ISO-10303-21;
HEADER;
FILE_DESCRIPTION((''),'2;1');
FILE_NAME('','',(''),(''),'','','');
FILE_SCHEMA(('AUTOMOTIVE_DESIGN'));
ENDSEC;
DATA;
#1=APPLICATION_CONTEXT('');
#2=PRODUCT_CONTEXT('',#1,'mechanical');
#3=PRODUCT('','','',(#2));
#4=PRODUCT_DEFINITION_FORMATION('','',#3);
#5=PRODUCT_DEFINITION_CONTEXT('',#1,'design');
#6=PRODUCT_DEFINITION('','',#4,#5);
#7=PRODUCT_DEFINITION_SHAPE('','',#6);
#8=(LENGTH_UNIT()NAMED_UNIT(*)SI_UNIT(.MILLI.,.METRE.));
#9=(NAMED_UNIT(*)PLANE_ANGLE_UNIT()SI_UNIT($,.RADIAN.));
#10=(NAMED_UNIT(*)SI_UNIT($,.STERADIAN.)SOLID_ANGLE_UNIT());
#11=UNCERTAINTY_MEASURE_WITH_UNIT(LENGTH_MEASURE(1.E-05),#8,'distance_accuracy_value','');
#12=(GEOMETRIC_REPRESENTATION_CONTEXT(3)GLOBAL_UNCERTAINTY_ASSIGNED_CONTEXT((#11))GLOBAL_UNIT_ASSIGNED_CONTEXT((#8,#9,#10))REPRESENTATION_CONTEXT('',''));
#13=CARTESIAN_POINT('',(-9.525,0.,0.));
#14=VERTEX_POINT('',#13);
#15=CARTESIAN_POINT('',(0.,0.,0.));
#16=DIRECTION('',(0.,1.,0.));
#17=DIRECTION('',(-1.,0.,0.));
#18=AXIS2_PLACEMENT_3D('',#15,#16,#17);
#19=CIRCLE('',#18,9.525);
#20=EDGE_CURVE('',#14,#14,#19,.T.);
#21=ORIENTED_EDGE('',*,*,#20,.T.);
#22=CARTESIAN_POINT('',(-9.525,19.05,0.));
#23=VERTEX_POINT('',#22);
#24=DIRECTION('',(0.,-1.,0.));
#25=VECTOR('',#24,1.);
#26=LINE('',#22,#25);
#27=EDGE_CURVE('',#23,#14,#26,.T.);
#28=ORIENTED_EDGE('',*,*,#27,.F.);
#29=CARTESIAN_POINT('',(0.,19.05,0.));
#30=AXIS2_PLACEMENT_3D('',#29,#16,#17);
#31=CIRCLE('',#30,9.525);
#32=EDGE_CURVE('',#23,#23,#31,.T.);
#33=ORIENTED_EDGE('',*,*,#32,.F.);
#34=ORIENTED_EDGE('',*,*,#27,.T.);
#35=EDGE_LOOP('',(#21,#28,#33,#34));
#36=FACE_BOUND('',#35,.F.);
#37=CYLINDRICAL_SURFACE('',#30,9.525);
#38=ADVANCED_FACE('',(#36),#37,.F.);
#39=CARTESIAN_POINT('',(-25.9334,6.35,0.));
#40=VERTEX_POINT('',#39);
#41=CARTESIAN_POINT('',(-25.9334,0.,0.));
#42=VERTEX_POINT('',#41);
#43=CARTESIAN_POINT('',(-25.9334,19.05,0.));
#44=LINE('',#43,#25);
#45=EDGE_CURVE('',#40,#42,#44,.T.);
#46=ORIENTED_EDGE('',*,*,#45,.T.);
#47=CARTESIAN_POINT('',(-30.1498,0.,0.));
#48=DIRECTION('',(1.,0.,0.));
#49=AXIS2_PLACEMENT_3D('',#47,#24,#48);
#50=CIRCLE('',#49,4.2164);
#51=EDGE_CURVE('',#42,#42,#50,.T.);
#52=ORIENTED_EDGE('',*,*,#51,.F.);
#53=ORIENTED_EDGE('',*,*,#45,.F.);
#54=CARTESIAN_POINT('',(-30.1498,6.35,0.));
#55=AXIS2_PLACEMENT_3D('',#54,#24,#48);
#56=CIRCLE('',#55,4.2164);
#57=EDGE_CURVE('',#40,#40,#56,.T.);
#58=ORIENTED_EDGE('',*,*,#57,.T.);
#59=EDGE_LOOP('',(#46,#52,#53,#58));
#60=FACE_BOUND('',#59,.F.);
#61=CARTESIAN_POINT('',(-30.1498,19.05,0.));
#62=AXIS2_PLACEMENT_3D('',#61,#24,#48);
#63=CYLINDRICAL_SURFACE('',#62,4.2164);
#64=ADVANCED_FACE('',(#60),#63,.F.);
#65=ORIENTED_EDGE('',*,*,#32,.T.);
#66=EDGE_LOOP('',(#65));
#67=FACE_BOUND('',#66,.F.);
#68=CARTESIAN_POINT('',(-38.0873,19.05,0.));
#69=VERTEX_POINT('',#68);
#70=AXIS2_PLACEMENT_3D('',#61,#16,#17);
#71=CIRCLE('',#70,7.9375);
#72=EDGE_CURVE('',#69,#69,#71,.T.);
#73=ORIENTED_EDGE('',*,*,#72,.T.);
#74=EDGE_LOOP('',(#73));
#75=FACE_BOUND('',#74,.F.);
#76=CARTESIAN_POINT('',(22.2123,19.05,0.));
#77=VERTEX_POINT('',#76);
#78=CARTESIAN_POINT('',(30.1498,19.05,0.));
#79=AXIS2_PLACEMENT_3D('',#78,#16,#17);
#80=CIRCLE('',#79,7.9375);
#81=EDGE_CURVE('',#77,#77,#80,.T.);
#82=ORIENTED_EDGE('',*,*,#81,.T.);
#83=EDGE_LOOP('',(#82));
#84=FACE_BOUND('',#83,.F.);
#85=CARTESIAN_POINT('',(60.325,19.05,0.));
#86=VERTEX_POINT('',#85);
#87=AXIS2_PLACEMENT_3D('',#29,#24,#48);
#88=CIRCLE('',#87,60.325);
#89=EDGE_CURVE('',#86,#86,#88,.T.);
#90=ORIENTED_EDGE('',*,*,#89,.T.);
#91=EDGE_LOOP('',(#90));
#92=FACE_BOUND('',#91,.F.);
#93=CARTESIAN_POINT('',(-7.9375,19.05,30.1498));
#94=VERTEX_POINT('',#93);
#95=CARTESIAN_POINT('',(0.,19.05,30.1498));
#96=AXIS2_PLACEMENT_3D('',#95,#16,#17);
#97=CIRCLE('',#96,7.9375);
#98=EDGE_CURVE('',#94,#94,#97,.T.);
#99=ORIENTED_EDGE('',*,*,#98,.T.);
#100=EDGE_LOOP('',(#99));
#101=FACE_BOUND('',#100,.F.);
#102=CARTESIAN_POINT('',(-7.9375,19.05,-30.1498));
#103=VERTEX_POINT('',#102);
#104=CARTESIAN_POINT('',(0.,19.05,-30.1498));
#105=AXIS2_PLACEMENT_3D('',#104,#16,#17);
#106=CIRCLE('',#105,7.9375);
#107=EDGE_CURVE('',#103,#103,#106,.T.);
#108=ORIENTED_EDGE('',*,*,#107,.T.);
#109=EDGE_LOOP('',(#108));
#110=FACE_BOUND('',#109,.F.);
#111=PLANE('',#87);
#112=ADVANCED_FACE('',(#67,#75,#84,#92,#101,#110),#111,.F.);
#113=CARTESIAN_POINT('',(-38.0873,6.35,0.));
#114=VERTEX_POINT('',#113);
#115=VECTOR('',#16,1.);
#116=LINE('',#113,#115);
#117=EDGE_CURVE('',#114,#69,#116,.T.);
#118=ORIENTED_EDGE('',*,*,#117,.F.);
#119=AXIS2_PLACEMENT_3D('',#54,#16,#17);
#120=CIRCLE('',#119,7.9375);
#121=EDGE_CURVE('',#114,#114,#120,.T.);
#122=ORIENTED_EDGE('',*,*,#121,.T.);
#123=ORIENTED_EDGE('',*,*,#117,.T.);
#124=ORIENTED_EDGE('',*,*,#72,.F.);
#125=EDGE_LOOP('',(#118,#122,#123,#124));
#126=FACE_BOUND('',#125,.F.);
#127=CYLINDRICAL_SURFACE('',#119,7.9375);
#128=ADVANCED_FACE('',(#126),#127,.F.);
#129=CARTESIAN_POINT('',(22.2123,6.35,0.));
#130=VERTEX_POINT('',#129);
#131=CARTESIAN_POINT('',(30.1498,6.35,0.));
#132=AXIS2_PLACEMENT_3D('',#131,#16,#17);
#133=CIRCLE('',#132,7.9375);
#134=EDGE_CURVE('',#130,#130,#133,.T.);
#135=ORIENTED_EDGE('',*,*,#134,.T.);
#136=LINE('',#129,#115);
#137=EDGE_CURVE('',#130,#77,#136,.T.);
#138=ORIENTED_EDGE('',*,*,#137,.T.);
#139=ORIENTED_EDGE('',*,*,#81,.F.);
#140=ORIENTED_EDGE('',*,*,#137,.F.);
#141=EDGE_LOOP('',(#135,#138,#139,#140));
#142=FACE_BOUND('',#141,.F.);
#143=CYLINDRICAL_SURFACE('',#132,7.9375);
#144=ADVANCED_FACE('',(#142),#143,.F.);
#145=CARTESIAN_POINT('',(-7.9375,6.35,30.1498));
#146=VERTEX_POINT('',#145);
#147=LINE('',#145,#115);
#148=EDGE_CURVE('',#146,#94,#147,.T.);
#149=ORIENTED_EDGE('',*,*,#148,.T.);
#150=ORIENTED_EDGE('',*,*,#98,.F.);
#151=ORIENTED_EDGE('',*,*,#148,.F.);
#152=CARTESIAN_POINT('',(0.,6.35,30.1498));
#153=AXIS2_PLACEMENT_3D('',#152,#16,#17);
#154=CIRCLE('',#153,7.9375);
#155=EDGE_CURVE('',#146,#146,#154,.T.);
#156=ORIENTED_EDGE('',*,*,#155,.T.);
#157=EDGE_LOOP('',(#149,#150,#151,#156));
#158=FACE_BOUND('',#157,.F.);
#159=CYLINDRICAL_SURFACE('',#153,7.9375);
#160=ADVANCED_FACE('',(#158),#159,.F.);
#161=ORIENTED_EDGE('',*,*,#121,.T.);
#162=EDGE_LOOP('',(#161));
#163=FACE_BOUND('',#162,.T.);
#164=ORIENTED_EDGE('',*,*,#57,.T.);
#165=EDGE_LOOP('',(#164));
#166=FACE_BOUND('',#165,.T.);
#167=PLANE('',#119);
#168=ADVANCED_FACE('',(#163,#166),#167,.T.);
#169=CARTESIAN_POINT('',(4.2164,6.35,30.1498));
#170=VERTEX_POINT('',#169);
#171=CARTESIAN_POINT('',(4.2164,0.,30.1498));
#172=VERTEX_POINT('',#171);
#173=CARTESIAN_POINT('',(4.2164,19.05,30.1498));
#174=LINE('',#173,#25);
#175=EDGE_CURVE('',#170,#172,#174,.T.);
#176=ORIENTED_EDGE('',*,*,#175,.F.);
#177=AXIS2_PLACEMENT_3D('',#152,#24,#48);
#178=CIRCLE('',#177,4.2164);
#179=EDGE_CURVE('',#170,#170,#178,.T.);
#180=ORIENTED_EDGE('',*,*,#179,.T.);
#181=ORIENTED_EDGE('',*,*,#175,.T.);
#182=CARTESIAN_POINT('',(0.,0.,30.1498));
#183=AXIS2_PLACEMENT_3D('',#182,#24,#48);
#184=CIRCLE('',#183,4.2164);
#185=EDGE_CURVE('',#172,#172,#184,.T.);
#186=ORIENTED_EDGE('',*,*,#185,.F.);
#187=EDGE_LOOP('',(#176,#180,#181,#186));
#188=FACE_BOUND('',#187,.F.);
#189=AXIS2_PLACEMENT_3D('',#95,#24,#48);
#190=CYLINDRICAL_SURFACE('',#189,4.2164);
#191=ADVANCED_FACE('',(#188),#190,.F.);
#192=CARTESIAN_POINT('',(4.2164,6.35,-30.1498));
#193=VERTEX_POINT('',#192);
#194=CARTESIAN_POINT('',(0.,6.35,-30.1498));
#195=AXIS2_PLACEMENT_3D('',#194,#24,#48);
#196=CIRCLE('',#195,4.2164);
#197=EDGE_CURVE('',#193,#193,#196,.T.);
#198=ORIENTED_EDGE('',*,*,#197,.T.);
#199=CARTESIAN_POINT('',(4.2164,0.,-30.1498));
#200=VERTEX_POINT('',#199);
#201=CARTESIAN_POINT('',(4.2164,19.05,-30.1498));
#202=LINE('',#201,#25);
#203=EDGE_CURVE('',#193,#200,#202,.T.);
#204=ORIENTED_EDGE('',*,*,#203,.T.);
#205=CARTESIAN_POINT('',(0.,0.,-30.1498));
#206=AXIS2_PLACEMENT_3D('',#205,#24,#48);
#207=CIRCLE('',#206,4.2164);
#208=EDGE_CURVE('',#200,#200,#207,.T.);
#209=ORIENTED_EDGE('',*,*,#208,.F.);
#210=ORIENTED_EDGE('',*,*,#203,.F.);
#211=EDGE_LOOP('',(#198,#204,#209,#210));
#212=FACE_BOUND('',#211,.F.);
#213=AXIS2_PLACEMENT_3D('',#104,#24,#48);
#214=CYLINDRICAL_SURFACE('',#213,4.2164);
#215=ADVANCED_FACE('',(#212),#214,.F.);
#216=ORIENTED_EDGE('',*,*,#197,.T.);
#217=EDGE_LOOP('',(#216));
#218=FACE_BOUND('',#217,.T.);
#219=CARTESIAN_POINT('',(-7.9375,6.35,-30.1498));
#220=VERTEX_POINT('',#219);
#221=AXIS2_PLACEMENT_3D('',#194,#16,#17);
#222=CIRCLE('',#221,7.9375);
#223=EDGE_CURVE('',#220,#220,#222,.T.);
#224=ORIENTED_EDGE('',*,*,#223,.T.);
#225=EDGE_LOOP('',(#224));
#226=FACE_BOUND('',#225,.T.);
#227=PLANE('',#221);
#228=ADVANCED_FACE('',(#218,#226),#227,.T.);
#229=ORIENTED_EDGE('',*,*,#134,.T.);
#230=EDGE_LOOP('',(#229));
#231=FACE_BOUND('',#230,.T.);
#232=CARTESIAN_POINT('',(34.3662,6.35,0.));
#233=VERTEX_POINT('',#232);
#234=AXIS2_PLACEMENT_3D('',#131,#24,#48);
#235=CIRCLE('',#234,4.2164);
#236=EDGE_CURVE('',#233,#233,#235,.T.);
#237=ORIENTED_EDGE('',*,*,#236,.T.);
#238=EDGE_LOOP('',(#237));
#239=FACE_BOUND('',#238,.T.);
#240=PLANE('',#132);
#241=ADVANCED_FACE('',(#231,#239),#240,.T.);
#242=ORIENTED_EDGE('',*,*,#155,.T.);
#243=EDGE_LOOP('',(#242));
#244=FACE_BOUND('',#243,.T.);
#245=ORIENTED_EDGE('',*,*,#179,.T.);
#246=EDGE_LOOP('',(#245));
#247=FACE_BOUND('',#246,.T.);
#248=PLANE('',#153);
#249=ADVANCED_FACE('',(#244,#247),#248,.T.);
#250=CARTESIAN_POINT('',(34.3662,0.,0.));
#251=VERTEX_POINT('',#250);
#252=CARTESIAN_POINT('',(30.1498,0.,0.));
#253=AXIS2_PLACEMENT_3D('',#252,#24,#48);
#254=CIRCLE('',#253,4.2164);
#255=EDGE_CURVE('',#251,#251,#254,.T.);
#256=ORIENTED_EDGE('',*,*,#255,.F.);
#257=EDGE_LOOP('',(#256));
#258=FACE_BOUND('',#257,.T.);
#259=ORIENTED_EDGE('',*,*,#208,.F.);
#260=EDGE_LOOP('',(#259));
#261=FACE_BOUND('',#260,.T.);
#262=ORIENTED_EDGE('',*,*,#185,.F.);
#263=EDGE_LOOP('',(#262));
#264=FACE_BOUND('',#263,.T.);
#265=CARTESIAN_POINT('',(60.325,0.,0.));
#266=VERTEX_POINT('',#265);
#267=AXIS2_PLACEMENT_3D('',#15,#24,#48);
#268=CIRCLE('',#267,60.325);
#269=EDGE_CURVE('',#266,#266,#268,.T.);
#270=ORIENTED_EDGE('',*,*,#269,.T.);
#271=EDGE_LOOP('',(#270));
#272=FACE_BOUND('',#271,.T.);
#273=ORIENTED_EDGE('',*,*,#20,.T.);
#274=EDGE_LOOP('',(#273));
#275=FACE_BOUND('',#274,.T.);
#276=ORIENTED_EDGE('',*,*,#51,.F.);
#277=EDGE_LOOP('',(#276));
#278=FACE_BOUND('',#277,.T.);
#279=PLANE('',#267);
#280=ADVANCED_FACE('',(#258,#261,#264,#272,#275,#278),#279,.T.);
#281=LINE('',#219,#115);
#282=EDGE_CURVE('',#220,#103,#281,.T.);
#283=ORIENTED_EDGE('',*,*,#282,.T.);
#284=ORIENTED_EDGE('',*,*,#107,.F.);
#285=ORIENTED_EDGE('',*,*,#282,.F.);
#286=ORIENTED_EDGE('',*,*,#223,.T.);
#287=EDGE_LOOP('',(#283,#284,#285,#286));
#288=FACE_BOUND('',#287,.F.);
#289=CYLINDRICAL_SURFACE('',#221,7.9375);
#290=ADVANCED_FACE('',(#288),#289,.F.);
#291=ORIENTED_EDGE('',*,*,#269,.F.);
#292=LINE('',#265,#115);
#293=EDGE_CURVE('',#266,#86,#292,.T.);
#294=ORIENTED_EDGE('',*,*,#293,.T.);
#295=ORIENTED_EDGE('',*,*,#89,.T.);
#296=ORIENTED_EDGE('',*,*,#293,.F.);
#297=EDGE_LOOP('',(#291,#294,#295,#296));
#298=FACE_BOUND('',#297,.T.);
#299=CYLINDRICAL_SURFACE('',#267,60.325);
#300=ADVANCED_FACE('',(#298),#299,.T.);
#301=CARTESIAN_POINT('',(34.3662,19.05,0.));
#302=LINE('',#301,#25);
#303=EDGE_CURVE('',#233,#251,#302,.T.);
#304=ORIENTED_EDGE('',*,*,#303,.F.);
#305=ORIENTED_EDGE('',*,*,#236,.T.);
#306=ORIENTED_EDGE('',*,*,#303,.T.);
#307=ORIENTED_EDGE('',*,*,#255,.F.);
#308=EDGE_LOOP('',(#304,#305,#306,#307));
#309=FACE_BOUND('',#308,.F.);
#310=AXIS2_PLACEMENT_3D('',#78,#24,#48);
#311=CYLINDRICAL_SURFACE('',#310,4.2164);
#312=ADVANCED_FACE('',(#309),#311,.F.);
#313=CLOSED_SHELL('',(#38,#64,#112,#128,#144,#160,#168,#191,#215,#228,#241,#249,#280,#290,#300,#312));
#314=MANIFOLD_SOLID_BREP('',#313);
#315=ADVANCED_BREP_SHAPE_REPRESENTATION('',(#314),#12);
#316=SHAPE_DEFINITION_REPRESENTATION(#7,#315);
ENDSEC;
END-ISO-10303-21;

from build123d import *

# Parameters (mm, degrees)
F0_R           = 60.325
F1_DEPTH       = 19.05
F3_D           = 8.4328
F3_CBORE_D     = 15.875
F3_CBORE_DEPTH = 12.7
F4_R           = 9.525
F5_DEPTH       = 25.4


with BuildPart() as f1:
    # F0 (on Front) → F1 (new body)
    with BuildSketch(Plane.XZ):
        Circle(F0_R)
    extrude(amount=-F1_DEPTH)

    # F3 (through all)
    with Locations(Plane(origin=(0, 19.05, 0), x_dir=(-1, 0, 0), z_dir=(0, 1, 0))):
        with Locations((0, 30.1498), (30.1498, 0), (0, -30.1498), (-30.1498, 0)):
            CounterBoreHole(F3_D / 2, F3_CBORE_D / 2, F3_CBORE_DEPTH)

    # F4 (on face) → F5 (cut)
    with BuildSketch(Plane(origin=(0, 19.05, 0), x_dir=(-1, 0, 0), z_dir=(0, 1, 0))):
        Circle(F4_R)
    extrude(amount=-F5_DEPTH, mode=Mode.SUBTRACT)


solid = f1.part
